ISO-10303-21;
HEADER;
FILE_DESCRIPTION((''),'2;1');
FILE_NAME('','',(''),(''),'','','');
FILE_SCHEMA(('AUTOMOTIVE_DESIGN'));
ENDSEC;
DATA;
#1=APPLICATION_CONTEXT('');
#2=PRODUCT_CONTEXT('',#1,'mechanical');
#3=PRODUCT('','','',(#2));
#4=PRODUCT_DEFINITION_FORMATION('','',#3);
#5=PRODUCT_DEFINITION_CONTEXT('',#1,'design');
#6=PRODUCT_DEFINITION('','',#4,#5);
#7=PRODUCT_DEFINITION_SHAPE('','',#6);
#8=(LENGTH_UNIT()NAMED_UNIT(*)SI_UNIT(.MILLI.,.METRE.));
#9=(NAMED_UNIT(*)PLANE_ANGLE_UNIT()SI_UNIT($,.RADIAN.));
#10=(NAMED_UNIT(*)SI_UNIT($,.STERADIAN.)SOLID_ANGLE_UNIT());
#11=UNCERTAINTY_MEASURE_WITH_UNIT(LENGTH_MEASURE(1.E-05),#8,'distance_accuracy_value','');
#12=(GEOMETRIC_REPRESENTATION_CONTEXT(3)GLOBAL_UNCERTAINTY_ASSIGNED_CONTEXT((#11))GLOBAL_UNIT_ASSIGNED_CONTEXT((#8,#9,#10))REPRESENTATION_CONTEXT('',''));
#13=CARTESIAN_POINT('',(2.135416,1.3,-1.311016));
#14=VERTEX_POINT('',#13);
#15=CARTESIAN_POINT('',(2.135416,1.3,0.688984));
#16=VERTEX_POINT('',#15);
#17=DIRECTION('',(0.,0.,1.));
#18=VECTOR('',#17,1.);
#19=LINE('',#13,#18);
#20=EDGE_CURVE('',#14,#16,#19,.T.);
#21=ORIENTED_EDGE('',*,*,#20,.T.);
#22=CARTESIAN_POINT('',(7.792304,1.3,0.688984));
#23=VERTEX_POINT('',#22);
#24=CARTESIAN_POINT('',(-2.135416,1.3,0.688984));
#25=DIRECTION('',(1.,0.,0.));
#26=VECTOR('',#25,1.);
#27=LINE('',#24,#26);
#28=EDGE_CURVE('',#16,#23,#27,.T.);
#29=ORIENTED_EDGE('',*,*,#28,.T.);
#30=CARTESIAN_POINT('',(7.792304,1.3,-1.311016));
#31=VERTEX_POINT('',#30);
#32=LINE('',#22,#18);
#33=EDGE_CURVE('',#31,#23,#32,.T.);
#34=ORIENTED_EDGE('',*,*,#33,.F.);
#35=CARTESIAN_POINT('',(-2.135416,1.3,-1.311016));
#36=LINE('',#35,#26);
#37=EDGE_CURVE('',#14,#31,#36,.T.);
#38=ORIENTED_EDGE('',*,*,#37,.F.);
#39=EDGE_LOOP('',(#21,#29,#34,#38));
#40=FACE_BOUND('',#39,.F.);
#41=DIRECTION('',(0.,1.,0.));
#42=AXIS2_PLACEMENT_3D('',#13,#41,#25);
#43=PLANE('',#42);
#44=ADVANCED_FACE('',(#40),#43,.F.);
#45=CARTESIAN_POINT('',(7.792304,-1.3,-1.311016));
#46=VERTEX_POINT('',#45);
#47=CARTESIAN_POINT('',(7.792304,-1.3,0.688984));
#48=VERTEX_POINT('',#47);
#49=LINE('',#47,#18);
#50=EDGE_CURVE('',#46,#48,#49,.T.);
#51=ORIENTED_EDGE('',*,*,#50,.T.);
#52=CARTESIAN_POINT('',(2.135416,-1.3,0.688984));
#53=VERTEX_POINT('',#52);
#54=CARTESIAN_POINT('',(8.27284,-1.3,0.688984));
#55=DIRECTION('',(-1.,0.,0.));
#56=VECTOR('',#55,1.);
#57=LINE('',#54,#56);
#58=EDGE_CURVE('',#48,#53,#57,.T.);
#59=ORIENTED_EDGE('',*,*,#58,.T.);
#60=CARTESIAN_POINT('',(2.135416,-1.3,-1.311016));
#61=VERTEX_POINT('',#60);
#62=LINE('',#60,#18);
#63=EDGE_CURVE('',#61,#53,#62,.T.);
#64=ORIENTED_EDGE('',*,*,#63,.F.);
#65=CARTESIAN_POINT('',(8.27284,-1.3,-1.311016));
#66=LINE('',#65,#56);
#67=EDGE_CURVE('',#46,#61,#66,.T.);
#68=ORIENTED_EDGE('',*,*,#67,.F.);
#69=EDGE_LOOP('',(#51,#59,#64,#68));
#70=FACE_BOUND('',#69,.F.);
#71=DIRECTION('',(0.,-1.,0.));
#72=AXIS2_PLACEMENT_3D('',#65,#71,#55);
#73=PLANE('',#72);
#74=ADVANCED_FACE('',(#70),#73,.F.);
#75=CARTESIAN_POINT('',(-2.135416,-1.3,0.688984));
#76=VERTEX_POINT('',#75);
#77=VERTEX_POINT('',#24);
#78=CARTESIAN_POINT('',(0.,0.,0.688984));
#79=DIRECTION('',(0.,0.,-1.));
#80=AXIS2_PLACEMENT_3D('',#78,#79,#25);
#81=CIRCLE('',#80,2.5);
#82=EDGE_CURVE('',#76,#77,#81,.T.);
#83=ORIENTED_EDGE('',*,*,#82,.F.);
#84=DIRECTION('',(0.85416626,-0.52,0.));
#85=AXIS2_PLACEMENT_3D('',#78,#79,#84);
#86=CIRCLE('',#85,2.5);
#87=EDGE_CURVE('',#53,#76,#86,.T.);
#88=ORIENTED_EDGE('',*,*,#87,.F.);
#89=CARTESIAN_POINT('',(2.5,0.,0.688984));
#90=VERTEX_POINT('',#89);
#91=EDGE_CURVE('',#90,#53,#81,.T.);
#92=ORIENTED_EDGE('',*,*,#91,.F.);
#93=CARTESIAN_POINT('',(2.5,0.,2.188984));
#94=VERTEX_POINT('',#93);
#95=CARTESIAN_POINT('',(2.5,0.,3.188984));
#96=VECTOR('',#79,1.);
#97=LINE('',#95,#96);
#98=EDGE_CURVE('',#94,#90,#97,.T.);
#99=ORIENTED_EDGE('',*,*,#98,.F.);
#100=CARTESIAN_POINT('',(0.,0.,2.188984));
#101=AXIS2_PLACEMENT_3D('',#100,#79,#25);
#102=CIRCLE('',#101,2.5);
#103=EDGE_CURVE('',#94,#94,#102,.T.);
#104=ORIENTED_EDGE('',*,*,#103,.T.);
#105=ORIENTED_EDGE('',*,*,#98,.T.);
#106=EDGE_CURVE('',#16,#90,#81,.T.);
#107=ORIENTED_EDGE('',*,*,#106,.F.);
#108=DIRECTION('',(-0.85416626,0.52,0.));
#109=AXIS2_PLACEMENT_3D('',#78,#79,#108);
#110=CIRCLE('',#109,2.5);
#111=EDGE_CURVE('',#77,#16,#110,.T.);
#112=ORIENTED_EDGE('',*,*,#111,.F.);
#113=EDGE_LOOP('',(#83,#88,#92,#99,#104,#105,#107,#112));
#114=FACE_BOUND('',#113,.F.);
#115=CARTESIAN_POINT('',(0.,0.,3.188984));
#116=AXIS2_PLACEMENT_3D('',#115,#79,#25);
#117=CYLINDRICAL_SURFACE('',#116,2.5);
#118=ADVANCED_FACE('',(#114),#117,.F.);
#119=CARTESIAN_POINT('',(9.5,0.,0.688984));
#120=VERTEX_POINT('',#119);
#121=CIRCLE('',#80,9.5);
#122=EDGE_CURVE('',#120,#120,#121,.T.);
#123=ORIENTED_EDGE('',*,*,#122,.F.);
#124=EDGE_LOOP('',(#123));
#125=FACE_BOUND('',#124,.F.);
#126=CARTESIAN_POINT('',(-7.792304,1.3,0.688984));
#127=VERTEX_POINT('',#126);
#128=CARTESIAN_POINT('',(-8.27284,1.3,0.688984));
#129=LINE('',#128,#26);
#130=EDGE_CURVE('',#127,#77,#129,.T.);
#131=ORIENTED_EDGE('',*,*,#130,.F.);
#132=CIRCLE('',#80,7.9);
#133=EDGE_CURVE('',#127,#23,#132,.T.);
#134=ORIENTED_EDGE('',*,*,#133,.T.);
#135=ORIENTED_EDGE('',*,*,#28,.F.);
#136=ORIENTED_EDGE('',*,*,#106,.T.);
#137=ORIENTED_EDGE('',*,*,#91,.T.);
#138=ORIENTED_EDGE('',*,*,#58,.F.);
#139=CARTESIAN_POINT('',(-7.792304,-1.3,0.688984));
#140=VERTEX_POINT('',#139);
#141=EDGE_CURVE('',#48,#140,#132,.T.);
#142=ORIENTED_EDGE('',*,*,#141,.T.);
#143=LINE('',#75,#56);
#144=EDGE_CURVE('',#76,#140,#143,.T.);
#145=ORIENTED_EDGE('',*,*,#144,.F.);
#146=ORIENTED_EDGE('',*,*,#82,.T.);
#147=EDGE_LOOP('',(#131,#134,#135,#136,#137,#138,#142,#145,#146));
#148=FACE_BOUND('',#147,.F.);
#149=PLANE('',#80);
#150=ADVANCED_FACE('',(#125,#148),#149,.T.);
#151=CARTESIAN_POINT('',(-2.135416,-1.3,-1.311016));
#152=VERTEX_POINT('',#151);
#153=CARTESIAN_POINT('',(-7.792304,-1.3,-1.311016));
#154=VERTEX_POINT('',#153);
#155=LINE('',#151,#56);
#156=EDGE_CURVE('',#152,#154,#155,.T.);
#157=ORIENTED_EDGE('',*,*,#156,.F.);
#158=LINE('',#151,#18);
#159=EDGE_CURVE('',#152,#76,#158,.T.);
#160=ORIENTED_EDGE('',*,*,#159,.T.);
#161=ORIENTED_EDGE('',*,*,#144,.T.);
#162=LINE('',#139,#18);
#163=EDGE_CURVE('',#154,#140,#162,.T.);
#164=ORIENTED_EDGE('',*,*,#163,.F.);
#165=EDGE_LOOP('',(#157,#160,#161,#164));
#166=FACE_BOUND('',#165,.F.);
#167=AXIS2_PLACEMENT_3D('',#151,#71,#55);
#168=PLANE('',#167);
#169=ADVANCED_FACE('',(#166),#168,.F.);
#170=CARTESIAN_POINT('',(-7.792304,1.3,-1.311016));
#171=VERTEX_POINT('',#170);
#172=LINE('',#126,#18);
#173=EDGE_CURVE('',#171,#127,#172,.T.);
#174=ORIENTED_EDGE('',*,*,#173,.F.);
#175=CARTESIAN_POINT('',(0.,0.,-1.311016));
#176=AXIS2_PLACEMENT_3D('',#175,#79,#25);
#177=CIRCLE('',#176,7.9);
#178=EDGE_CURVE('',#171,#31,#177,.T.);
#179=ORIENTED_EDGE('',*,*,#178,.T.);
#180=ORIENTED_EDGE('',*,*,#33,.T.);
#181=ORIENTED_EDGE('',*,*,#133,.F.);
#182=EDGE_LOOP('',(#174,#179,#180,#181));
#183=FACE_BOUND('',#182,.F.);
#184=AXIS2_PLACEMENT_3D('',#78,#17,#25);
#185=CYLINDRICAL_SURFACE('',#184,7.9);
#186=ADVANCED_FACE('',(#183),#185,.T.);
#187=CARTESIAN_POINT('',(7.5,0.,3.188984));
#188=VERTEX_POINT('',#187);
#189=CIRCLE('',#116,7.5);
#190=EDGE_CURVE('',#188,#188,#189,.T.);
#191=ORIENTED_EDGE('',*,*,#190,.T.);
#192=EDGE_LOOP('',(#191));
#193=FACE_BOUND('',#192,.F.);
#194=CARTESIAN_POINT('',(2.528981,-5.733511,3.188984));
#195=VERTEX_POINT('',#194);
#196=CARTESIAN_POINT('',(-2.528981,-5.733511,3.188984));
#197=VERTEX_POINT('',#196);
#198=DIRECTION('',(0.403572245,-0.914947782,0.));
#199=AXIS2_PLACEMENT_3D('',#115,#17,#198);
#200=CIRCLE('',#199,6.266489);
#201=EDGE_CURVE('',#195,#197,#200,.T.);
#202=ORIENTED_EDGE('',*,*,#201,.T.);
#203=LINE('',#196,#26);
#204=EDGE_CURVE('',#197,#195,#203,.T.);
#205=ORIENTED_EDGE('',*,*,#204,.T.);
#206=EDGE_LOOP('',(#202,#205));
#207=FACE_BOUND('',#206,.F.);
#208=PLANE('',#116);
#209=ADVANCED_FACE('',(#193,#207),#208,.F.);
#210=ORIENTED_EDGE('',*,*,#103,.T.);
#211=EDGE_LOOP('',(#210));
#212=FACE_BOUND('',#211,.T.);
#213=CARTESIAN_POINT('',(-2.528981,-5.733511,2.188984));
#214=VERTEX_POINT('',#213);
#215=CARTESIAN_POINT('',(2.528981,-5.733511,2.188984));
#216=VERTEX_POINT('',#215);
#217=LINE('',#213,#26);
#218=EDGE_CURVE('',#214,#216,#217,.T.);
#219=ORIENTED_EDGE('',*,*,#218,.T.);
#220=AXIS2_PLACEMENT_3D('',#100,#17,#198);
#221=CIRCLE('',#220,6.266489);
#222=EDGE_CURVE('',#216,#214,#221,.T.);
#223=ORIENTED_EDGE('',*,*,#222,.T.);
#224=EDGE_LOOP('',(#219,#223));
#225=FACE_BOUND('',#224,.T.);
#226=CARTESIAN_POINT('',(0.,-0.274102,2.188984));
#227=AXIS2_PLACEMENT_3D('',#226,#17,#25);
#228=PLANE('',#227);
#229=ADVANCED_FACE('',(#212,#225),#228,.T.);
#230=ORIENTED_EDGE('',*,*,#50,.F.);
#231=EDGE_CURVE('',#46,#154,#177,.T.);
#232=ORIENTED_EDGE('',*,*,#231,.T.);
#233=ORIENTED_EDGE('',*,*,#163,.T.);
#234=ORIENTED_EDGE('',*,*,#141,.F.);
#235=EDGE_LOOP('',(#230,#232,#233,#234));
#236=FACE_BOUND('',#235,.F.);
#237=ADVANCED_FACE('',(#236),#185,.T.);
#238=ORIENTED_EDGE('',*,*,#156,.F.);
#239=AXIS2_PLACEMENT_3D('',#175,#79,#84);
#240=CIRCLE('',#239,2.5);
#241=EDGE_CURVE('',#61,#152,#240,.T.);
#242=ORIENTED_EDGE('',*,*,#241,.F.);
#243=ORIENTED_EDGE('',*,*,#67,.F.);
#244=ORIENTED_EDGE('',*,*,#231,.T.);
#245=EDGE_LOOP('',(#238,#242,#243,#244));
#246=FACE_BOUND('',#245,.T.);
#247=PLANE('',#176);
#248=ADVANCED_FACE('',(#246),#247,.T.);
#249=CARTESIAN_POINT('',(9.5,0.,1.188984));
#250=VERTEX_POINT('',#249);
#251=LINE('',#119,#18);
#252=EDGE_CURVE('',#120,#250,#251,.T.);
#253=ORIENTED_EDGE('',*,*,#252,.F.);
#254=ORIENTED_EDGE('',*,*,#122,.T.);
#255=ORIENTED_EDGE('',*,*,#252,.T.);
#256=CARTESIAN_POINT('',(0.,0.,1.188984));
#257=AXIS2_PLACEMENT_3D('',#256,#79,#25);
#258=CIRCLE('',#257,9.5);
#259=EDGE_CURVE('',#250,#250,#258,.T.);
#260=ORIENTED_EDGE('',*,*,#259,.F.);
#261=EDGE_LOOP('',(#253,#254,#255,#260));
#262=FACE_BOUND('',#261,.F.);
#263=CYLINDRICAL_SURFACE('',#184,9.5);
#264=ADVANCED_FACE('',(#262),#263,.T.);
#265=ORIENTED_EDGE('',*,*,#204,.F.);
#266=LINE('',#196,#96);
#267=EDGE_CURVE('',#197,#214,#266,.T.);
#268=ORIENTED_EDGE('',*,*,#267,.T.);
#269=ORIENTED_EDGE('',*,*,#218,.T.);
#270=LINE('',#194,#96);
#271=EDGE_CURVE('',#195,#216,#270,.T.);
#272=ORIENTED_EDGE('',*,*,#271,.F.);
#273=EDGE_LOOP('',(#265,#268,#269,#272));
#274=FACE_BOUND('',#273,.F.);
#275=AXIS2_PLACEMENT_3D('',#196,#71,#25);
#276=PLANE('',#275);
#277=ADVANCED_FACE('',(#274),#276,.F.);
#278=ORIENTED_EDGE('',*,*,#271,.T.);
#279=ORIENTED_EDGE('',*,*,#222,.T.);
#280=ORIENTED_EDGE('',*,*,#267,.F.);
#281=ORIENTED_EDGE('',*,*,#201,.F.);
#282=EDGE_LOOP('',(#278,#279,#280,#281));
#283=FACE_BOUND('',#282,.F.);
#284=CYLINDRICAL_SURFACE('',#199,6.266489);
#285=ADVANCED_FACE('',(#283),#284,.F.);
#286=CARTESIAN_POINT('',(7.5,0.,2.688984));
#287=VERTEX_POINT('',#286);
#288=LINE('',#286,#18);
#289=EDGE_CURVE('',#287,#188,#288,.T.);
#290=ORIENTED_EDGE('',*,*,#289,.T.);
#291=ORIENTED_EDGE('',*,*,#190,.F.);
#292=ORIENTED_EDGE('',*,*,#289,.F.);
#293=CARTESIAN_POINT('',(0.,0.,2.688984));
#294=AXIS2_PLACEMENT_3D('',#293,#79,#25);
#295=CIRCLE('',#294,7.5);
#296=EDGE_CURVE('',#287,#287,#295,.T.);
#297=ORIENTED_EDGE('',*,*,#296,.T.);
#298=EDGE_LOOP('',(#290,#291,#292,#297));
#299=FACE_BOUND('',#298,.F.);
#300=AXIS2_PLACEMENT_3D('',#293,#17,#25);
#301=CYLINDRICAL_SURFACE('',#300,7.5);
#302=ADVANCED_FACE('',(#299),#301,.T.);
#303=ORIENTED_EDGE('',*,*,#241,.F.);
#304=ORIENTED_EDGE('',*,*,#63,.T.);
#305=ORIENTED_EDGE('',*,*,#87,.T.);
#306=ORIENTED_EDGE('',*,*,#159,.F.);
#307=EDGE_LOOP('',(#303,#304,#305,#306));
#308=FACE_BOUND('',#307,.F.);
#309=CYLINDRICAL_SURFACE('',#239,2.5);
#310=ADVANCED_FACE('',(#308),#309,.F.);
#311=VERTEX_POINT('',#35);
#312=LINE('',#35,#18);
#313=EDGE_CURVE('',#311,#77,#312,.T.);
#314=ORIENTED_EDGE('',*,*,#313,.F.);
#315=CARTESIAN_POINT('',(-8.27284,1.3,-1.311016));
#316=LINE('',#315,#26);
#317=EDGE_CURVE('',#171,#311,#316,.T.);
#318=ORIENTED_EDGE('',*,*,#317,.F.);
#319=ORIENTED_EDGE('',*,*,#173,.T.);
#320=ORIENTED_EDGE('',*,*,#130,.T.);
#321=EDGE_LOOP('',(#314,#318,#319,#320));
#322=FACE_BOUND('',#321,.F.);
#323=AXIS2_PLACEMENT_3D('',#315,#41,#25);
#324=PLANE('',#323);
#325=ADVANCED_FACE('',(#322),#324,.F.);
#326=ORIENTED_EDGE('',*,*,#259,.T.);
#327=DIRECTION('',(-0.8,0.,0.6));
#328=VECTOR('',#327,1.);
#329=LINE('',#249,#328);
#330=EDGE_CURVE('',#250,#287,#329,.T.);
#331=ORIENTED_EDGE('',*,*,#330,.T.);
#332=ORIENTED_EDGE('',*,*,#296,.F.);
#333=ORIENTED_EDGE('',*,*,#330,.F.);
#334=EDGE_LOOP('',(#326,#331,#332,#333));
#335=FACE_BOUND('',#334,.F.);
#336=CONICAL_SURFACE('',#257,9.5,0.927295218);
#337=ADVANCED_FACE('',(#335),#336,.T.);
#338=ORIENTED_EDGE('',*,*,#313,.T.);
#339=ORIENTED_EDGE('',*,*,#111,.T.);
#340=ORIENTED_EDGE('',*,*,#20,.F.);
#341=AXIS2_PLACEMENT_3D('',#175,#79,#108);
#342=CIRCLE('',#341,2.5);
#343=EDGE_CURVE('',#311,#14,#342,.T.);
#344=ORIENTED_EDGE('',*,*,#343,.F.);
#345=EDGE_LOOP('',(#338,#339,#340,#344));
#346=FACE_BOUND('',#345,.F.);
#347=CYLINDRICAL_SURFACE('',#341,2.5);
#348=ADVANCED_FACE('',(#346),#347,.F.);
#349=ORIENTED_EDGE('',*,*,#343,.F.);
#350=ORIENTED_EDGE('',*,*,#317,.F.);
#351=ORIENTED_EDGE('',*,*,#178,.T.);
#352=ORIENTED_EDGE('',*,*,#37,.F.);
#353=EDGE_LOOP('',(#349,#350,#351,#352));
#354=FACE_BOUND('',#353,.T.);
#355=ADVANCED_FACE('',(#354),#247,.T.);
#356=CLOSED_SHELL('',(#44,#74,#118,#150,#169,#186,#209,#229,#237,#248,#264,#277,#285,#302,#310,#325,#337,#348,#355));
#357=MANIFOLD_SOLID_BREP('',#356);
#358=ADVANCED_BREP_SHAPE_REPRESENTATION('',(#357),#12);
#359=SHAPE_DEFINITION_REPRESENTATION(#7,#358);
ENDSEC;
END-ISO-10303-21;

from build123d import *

# Parameters (mm, degrees)
F2_R     = 7.9
F3_DEPTH = 2
F5_DEPTH = 2
F7_DEPTH = 1


with BuildPart() as f1:
    # F0 (on Front) → F1 (revolve)
    with BuildSketch(Plane.XZ):
        Polygon((2.5, 3.1889840401), (2.5, 0.6889840401), (9.5, 0.6889840401), (9.5, 1.1889840401), (7.5, 2.6889840401), (7.5, 3.1889840401), align=None)
    revolve(axis=Axis((0, 0, 1.9389840401), (0, 0, -1)))

    # F2 (on face) → F3 (join)
    with BuildSketch(Plane(origin=(0, 0, 0.6889840401), x_dir=(1, 0, 0), z_dir=(0, 0, -1))):
        Circle(F2_R)
    extrude(amount=F3_DEPTH)

    # F4 (on face) → F5 (cut)
    with BuildSketch(Plane(origin=(0, 0, -1.3110159599), x_dir=(1, 0, 0), z_dir=(0, 0, -1))):
        with BuildLine():
            ThreePointArc((2.1354156504, -1.3), (2.4071289045, -0.675078097), (2.5, 0))
            ThreePointArc((2.5, 0), (2.4071289045, 0.675078097), (2.1354156504, 1.3))
            Line((2.1354156504, 1.3), (-2.1354156504, 1.3))
            ThreePointArc((-2.1354156504, 1.3), (-2.5, 0), (-2.1354156504, -1.3))
            Line((-2.1354156504, -1.3), (2.1354156504, -1.3))
        make_face()
        with BuildLine():
            ThreePointArc((2.1354156504, 1.3), (2.4071289045, 0.675078097), (2.5, 0))
            ThreePointArc((2.5, 0), (2.4071289045, -0.675078097), (2.1354156504, -1.3))
            Line((2.1354156504, -1.3), (8.2728397101, -1.3))
            Line((8.2728397101, -1.3), (8.2728397101, 1.3))
            Line((8.2728397101, 1.3), (2.1354156504, 1.3))
        make_face()
        with BuildLine():
            Line((-2.1354156504, 1.3), (2.1354156504, 1.3))
            ThreePointArc((2.1354156504, 1.3), (0, 2.5), (-2.1354156504, 1.3))
        make_face()
        with BuildLine():
            ThreePointArc((-2.1354156504, -1.3), (0, -2.5), (2.1354156504, -1.3))
            Line((2.1354156504, -1.3), (-2.1354156504, -1.3))
        make_face()
        with BuildLine():
            ThreePointArc((-2.1354156504, -1.3), (-2.5, 0), (-2.1354156504, 1.3))
            Line((-2.1354156504, 1.3), (-8.2728397101, 1.3))
            Line((-8.2728397101, 1.3), (-8.2728397101, -1.3))
            Line((-8.2728397101, -1.3), (-2.1354156504, -1.3))
        make_face()
    extrude(amount=-F5_DEPTH, mode=Mode.SUBTRACT)

    # F6 (on face) → F7 (cut)
    with BuildSketch(Plane.XY.offset(3.1889840401)):
        with BuildLine():
            Line((0, -5.7335105867), (2.5289812019, -5.7335105867))
            ThreePointArc((2.5289812019, -5.7335105867), (0, 6.2664894133), (-2.5289812019, -5.7335105867))
            Line((-2.5289812019, -5.7335105867), (0, -5.7335105867))
        make_face()
    extrude(amount=-F7_DEPTH, mode=Mode.SUBTRACT)


solid = f1.part
